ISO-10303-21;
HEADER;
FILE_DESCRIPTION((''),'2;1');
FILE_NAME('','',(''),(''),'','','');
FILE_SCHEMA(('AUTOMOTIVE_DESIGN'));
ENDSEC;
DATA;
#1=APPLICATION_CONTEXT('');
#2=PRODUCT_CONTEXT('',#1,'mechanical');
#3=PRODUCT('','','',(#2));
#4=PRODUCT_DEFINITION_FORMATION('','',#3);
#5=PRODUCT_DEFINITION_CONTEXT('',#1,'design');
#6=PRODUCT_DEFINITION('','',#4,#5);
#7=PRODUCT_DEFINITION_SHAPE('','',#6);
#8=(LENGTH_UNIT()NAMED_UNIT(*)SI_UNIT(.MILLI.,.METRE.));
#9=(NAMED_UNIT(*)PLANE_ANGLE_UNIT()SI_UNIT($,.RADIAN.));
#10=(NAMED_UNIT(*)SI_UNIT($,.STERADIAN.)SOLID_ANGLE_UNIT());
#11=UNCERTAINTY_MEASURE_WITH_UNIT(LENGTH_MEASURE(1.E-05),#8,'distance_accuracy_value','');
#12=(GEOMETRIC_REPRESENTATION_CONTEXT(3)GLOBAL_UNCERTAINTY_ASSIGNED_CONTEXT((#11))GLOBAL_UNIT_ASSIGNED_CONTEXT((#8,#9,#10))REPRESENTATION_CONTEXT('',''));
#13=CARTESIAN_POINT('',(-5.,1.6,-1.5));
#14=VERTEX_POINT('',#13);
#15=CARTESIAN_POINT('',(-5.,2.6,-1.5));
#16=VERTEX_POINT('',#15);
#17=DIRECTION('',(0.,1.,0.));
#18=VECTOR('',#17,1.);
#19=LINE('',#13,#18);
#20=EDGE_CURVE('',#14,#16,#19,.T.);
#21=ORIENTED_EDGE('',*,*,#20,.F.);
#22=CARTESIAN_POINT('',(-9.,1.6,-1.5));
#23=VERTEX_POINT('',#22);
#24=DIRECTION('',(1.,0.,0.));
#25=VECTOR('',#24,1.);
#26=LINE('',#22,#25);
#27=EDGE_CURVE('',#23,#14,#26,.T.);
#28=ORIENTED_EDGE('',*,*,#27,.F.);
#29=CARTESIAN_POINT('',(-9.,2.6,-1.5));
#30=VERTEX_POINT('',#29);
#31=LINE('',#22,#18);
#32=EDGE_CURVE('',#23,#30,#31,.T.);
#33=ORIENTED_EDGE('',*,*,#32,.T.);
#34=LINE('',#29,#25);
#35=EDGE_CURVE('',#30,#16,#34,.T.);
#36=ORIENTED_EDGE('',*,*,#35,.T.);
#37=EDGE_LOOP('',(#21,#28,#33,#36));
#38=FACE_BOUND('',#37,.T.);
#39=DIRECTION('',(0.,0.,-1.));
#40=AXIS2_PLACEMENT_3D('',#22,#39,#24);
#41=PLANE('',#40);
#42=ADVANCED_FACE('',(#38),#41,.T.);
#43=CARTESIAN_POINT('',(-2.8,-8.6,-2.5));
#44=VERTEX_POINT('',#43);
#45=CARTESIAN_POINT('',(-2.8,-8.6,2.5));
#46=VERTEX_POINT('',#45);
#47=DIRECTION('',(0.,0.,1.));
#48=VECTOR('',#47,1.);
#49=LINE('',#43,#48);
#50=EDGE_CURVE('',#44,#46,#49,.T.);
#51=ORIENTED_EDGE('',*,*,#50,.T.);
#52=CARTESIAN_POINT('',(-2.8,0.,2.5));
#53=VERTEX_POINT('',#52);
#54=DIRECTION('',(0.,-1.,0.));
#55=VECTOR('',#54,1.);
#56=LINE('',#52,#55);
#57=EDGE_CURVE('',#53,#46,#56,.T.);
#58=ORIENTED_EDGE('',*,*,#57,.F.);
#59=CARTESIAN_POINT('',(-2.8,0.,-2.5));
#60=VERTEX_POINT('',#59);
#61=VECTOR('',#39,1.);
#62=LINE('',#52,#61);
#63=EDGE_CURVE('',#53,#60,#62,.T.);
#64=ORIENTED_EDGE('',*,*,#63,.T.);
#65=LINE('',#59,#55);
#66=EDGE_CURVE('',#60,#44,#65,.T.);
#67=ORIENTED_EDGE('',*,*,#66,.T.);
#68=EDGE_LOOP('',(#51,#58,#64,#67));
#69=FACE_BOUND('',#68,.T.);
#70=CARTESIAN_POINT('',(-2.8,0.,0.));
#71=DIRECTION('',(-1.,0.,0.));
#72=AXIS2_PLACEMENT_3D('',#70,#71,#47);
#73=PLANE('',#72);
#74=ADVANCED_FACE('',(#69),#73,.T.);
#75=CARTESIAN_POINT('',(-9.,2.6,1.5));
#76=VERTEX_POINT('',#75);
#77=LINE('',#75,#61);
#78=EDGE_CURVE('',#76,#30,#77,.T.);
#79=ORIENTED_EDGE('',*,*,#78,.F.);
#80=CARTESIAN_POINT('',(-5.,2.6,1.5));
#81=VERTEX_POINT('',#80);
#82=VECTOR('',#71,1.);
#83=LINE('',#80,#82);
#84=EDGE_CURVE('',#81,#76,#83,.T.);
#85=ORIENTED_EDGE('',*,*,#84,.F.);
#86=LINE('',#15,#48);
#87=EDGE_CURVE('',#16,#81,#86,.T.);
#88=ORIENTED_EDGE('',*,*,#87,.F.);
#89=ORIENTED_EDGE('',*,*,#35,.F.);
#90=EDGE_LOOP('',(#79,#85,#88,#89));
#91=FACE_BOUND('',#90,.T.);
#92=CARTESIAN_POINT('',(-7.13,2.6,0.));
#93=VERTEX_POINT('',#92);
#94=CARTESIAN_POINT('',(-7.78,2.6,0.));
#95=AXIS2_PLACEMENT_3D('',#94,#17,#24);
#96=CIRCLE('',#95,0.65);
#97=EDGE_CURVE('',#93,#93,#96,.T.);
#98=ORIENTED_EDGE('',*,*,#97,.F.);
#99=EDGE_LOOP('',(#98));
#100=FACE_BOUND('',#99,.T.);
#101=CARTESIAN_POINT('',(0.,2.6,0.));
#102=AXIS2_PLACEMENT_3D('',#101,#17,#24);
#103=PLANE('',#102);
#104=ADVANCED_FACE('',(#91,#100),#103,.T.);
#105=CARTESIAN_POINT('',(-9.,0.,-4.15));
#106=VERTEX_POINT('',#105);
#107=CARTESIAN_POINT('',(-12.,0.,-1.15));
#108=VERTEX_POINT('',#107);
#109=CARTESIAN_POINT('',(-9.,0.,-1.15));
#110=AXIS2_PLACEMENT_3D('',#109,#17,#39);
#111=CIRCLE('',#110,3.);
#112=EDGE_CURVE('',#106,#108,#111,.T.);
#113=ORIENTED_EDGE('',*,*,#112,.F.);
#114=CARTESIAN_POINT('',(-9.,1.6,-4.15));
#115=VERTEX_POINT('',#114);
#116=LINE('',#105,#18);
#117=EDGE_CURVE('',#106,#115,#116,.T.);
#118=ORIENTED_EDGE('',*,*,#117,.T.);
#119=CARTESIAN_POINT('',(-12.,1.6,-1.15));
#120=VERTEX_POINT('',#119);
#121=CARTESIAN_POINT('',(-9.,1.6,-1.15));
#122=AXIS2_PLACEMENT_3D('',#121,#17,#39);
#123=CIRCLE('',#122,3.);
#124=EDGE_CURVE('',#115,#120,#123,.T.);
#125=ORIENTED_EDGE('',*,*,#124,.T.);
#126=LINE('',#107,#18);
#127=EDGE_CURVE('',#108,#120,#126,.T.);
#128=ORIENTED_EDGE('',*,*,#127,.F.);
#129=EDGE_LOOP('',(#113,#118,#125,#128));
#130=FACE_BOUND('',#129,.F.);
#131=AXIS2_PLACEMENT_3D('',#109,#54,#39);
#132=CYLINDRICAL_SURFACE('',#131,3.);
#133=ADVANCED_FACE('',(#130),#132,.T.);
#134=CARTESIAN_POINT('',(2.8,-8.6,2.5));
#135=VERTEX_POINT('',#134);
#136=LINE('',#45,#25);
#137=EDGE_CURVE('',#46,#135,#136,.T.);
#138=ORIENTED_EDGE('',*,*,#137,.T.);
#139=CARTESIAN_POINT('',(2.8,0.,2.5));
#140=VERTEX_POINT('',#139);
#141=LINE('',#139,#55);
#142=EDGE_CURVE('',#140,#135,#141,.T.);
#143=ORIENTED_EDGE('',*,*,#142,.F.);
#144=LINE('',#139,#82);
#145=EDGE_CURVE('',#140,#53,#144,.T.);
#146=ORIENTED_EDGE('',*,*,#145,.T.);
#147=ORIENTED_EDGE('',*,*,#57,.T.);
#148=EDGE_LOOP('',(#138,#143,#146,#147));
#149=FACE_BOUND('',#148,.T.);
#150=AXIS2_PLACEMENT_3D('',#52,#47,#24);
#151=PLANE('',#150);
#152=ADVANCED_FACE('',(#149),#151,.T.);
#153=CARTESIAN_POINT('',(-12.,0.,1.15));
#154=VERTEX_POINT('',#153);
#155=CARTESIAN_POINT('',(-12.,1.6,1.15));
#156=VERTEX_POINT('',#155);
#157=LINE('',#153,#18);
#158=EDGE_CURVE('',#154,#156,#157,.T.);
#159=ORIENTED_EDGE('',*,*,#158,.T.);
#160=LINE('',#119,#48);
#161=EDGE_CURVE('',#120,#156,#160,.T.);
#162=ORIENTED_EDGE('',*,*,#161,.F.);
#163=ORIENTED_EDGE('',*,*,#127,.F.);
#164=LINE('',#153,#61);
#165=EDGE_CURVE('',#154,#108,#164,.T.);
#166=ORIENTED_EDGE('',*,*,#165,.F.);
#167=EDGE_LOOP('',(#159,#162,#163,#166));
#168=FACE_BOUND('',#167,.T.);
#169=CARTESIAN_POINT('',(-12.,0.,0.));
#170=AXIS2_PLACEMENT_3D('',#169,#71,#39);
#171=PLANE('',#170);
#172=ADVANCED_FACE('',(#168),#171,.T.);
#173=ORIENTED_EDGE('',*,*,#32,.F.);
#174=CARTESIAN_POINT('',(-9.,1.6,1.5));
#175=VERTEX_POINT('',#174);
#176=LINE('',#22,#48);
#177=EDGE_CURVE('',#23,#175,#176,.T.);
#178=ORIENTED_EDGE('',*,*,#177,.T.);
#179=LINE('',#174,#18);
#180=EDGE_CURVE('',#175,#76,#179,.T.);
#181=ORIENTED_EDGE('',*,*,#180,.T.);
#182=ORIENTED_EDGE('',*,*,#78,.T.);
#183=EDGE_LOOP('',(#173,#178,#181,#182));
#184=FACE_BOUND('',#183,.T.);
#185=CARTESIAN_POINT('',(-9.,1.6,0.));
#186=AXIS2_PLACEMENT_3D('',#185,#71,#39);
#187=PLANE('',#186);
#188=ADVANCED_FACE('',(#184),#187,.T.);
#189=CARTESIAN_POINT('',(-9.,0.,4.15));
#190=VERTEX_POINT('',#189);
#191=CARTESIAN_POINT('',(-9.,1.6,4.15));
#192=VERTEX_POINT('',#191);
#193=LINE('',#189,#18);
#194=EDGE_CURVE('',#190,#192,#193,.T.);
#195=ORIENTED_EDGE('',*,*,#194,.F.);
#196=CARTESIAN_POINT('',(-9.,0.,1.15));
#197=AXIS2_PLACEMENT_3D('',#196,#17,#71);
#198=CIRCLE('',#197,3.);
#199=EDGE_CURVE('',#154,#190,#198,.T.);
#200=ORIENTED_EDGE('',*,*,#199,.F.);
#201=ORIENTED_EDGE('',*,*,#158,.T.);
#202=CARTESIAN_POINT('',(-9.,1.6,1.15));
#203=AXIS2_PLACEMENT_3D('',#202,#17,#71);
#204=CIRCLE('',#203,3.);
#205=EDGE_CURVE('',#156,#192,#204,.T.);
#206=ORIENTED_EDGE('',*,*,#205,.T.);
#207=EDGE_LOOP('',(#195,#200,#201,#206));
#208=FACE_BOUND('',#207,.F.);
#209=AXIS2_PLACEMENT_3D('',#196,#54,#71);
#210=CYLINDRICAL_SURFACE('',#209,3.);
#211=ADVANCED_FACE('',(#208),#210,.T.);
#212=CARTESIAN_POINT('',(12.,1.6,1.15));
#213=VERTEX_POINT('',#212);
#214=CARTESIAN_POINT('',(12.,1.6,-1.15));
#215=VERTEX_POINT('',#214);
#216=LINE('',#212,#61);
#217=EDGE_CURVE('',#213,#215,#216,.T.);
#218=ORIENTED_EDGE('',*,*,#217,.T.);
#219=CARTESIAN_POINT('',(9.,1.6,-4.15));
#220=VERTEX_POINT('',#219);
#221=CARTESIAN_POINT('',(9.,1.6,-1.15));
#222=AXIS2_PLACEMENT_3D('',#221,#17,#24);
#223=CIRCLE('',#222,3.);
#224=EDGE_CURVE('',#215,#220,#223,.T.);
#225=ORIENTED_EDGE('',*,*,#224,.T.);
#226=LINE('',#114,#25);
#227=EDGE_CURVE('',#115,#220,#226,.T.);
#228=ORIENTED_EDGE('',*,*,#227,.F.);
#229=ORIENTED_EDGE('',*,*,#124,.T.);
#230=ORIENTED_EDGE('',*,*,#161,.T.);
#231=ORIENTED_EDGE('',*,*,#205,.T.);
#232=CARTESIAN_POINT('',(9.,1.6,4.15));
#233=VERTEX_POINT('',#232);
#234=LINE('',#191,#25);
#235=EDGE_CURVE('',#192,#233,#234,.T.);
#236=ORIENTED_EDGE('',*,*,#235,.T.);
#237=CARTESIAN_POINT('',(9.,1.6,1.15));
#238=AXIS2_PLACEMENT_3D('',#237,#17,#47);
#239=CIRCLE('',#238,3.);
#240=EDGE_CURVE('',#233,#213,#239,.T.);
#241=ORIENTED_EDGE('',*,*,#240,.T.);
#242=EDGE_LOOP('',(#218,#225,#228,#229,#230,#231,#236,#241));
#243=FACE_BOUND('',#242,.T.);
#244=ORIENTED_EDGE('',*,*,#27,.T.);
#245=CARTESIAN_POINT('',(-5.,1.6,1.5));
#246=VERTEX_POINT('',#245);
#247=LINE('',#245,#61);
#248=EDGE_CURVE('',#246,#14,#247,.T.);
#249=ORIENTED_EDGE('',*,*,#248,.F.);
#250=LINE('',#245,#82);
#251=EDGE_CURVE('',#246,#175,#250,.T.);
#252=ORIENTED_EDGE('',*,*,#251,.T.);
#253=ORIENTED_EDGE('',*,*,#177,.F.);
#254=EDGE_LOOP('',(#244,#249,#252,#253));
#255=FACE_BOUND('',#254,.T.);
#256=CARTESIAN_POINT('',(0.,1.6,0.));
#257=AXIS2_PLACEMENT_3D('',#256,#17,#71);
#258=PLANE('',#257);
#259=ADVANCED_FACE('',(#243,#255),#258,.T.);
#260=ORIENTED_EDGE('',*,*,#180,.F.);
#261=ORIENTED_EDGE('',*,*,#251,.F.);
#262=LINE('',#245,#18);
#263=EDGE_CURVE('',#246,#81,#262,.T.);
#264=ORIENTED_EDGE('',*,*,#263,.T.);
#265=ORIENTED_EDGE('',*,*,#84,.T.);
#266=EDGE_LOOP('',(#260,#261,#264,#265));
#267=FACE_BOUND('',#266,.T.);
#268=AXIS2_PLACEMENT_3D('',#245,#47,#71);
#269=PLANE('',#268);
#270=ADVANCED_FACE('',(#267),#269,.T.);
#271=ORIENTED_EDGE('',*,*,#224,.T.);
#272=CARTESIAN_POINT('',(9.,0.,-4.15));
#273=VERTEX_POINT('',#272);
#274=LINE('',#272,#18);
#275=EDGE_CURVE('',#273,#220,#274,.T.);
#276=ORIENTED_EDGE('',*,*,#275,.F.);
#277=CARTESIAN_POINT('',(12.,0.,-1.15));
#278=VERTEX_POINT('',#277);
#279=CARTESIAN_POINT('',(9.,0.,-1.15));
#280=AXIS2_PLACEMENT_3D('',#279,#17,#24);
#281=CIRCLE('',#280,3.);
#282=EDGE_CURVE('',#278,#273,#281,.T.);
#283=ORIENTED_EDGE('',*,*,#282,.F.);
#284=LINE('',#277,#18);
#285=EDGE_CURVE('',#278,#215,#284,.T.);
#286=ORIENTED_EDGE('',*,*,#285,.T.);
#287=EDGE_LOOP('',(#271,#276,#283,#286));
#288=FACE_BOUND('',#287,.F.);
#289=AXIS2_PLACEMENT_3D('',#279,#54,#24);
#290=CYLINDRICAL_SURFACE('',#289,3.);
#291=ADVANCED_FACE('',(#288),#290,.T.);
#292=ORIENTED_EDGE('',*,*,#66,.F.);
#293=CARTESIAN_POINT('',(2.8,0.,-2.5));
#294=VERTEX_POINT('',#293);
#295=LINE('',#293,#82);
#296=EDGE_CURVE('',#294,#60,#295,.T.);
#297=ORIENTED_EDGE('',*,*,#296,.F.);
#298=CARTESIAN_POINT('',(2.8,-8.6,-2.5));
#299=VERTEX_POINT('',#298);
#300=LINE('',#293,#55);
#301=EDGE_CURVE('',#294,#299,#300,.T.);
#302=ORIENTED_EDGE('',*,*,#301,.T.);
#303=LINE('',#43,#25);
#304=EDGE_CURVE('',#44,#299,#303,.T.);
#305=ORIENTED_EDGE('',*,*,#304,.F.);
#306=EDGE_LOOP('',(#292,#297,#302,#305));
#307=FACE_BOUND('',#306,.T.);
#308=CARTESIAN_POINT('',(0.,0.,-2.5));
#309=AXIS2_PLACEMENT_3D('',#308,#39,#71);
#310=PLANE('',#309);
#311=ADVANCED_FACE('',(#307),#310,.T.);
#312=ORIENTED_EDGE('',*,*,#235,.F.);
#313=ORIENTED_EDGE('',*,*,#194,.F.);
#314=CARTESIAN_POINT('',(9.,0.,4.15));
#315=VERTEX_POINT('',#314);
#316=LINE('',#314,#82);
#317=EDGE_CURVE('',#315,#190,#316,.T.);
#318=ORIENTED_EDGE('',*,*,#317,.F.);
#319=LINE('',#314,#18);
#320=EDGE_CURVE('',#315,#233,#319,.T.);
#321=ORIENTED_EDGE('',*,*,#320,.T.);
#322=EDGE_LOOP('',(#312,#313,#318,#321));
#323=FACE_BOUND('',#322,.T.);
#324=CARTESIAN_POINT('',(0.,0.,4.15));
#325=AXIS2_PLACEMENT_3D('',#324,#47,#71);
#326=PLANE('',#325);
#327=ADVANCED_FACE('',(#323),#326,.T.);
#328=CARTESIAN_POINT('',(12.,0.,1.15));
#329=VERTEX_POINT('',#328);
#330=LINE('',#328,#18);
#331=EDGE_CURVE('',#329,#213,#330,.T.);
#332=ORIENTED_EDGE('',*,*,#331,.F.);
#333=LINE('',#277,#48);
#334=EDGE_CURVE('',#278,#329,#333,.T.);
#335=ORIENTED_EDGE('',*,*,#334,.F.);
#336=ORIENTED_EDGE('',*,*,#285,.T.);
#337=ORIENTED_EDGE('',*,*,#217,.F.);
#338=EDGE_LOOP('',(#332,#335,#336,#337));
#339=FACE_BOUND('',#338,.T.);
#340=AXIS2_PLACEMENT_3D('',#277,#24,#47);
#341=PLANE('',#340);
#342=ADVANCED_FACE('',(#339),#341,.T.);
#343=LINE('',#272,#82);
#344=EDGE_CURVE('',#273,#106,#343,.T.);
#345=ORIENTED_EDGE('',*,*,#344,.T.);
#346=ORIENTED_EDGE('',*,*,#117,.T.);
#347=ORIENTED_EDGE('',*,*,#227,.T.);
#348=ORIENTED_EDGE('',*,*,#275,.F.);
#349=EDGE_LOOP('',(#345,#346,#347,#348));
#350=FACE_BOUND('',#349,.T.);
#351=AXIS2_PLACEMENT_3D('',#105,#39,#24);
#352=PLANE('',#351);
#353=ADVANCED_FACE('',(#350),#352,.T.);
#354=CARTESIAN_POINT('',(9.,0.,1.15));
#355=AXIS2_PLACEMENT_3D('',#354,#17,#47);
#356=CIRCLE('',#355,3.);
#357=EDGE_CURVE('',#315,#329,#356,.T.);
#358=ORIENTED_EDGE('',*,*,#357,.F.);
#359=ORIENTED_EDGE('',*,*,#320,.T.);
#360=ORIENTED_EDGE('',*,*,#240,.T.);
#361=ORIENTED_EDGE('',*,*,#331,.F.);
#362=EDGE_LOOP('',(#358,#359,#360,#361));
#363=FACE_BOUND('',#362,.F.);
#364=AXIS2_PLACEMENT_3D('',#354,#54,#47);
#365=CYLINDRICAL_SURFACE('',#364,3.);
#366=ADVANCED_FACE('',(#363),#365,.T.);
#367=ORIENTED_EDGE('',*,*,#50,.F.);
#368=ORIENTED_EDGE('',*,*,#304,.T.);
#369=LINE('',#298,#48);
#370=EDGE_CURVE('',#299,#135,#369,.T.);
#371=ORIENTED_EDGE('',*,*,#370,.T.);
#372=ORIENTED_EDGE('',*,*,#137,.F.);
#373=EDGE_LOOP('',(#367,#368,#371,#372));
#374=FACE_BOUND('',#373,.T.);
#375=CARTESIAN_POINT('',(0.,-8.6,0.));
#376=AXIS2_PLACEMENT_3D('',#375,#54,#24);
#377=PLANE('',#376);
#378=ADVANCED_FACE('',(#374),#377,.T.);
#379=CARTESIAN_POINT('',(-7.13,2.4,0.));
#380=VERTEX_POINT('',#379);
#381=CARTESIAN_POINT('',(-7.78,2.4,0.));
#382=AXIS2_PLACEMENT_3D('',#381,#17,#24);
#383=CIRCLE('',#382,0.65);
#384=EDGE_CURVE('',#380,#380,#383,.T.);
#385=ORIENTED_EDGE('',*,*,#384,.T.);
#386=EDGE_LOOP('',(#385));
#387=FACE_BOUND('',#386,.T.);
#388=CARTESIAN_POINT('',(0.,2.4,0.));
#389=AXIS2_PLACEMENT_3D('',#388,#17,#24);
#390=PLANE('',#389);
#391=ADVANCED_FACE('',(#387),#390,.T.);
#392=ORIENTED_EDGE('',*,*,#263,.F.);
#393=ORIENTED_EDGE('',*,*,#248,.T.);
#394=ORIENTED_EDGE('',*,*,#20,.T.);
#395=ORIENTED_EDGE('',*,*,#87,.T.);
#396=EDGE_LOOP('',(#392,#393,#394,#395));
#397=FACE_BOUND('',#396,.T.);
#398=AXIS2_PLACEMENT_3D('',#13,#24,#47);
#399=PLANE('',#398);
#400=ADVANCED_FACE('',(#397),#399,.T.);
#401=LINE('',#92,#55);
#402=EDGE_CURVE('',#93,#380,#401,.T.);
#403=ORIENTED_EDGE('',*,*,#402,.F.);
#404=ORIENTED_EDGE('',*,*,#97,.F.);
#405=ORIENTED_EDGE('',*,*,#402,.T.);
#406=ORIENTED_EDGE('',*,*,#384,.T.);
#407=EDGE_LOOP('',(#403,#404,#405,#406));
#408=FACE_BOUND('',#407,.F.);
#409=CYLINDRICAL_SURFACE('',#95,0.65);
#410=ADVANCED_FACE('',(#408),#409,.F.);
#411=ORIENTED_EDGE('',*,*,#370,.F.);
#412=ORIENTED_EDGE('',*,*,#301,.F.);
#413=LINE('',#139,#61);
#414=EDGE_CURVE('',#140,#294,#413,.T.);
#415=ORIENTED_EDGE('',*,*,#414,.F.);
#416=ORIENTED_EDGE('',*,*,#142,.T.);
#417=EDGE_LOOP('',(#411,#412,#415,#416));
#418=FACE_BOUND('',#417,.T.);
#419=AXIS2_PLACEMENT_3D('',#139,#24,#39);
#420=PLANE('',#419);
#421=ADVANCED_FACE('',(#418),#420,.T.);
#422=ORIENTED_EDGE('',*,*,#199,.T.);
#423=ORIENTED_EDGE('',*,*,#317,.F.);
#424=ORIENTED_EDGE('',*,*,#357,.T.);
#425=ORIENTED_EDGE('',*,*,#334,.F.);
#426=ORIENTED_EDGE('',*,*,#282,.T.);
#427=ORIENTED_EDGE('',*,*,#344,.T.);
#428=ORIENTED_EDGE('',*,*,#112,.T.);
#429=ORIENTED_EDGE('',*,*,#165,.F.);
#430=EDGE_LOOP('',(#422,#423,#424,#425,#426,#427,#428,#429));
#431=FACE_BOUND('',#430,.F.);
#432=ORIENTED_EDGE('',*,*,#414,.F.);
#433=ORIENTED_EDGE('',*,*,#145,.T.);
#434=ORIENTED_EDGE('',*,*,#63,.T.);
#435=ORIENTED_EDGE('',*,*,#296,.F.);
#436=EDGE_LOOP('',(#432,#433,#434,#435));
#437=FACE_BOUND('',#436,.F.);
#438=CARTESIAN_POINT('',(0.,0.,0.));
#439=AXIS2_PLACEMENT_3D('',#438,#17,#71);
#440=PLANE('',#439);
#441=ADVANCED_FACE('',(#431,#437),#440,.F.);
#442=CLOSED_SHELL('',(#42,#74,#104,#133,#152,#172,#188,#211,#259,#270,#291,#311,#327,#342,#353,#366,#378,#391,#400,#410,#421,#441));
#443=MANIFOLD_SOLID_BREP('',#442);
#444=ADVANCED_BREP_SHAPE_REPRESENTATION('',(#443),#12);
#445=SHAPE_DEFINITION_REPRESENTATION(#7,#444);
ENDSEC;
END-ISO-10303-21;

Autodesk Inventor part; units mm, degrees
ref_plane "YZ Plane" through (0, 0, 0) normal (1, 0, 0) x (0, 1, 0)
ref_plane "XZ Plane" through (0, 0, 0) normal (0, 1, 0) x (-1, 0, 0)
ref_plane "XY Plane" through (0, 0, 0) normal (0, 0, 1) x (1, 0, 0)
sketch "Skizze1" plane through (0, 0, 0) normal (0, 1, 0) x (-1, 0, 0)
  line L0 (9, -4.15) -> (-9, -4.15)
  line L1 (-12, -1.15) -> (-12, 1.15)
  line L2 (-9, 4.15) -> (9, 4.15)
  line L3 (12, 1.15) -> (12, -1.15)
  line L4 (0, -12.6778) -> (0, 8.6418)
  line L5 (13.6706, 0) -> (-20.1804, 0)
  arc A0 (9, -4.15) -> (12, -1.15) centre (9, -1.15) ccw
  arc A1 (12, 1.15) -> (9, 4.15) centre (9, 1.15) ccw
  arc A2 (-9, 4.15) -> (-12, 1.15) centre (-9, 1.15) ccw
  arc A3 (-12, -1.15) -> (-9, -4.15) centre (-9, -1.15) ccw
  point P0 (0, 0)
  point P1 (12, -4.15)
  point P2 (-12, -4.15)
  dimension "d0" = 8.3
  dimension "d1" = 24
  dimension "d2" = 3
extrude "Extrusion1" add sketch "Skizze1" along normal blind 1.6
sketch "Skizze2" plane through (0, 0, 0) normal (0, -1, 0) x (1, 0, 0)
  line L0 (-2.8, 2.5) -> (2.8, 2.5)
  line L1 (2.8, 2.5) -> (2.8, -2.5)
  line L2 (2.8, -2.5) -> (-2.8, -2.5)
  line L3 (-2.8, -2.5) -> (-2.8, 2.5)
  line L4 (-9.3724, 0) -> (8.2101, 0)
  line L5 (0, 7.7773) -> (0, -6.9118)
  point P0 (0, 0)
  dimension "d5" = 5.6
  dimension "d6" = 5
extrude "Extrusion2" add sketch "Skizze2" along normal blind 8.6
sketch "Skizze3" plane through (0, 1.6, 0) normal (0, 1, 0) x (1, 0, 0)
  line L0 (-9, 1.5) -> (-5, 1.5)
  line L1 (-5, 1.5) -> (-5, -1.5)
  line L2 (-5, -1.5) -> (-9, -1.5)
  line L3 (-9, -1.5) -> (-9, 1.5)
  line L4 (-9.8398, 0) -> (1.393, 0)
  line L5 (-12, 1.15) -> (-12, -1.15) projected
  point P0 (0, 0)
  dimension "d9" = 3
  dimension "d10" = 4
  dimension "d11" = 3
extrude "Extrusion3" add sketch "Skizze3" along normal blind 1
sketch "Skizze4" plane through (0, 2.6, 0) normal (0, 1, 0) x (1, 0, 0)
  circle A0 centre (-7.78, 0) radius 0.65
  line L0 (-5, 1.5) -> (-9, 1.5) projected
  line L1 (-5, -1.5) -> (-5, 1.5) projected
  point P0 (0, 0)
  dimension "d14" = 1.3
  dimension "d15" = 1.5
  dimension "d16" = 2.78
extrude "Extrusion4" cut sketch "Skizze4" against normal blind 0.2
properties part number "Mikrofonboard"
